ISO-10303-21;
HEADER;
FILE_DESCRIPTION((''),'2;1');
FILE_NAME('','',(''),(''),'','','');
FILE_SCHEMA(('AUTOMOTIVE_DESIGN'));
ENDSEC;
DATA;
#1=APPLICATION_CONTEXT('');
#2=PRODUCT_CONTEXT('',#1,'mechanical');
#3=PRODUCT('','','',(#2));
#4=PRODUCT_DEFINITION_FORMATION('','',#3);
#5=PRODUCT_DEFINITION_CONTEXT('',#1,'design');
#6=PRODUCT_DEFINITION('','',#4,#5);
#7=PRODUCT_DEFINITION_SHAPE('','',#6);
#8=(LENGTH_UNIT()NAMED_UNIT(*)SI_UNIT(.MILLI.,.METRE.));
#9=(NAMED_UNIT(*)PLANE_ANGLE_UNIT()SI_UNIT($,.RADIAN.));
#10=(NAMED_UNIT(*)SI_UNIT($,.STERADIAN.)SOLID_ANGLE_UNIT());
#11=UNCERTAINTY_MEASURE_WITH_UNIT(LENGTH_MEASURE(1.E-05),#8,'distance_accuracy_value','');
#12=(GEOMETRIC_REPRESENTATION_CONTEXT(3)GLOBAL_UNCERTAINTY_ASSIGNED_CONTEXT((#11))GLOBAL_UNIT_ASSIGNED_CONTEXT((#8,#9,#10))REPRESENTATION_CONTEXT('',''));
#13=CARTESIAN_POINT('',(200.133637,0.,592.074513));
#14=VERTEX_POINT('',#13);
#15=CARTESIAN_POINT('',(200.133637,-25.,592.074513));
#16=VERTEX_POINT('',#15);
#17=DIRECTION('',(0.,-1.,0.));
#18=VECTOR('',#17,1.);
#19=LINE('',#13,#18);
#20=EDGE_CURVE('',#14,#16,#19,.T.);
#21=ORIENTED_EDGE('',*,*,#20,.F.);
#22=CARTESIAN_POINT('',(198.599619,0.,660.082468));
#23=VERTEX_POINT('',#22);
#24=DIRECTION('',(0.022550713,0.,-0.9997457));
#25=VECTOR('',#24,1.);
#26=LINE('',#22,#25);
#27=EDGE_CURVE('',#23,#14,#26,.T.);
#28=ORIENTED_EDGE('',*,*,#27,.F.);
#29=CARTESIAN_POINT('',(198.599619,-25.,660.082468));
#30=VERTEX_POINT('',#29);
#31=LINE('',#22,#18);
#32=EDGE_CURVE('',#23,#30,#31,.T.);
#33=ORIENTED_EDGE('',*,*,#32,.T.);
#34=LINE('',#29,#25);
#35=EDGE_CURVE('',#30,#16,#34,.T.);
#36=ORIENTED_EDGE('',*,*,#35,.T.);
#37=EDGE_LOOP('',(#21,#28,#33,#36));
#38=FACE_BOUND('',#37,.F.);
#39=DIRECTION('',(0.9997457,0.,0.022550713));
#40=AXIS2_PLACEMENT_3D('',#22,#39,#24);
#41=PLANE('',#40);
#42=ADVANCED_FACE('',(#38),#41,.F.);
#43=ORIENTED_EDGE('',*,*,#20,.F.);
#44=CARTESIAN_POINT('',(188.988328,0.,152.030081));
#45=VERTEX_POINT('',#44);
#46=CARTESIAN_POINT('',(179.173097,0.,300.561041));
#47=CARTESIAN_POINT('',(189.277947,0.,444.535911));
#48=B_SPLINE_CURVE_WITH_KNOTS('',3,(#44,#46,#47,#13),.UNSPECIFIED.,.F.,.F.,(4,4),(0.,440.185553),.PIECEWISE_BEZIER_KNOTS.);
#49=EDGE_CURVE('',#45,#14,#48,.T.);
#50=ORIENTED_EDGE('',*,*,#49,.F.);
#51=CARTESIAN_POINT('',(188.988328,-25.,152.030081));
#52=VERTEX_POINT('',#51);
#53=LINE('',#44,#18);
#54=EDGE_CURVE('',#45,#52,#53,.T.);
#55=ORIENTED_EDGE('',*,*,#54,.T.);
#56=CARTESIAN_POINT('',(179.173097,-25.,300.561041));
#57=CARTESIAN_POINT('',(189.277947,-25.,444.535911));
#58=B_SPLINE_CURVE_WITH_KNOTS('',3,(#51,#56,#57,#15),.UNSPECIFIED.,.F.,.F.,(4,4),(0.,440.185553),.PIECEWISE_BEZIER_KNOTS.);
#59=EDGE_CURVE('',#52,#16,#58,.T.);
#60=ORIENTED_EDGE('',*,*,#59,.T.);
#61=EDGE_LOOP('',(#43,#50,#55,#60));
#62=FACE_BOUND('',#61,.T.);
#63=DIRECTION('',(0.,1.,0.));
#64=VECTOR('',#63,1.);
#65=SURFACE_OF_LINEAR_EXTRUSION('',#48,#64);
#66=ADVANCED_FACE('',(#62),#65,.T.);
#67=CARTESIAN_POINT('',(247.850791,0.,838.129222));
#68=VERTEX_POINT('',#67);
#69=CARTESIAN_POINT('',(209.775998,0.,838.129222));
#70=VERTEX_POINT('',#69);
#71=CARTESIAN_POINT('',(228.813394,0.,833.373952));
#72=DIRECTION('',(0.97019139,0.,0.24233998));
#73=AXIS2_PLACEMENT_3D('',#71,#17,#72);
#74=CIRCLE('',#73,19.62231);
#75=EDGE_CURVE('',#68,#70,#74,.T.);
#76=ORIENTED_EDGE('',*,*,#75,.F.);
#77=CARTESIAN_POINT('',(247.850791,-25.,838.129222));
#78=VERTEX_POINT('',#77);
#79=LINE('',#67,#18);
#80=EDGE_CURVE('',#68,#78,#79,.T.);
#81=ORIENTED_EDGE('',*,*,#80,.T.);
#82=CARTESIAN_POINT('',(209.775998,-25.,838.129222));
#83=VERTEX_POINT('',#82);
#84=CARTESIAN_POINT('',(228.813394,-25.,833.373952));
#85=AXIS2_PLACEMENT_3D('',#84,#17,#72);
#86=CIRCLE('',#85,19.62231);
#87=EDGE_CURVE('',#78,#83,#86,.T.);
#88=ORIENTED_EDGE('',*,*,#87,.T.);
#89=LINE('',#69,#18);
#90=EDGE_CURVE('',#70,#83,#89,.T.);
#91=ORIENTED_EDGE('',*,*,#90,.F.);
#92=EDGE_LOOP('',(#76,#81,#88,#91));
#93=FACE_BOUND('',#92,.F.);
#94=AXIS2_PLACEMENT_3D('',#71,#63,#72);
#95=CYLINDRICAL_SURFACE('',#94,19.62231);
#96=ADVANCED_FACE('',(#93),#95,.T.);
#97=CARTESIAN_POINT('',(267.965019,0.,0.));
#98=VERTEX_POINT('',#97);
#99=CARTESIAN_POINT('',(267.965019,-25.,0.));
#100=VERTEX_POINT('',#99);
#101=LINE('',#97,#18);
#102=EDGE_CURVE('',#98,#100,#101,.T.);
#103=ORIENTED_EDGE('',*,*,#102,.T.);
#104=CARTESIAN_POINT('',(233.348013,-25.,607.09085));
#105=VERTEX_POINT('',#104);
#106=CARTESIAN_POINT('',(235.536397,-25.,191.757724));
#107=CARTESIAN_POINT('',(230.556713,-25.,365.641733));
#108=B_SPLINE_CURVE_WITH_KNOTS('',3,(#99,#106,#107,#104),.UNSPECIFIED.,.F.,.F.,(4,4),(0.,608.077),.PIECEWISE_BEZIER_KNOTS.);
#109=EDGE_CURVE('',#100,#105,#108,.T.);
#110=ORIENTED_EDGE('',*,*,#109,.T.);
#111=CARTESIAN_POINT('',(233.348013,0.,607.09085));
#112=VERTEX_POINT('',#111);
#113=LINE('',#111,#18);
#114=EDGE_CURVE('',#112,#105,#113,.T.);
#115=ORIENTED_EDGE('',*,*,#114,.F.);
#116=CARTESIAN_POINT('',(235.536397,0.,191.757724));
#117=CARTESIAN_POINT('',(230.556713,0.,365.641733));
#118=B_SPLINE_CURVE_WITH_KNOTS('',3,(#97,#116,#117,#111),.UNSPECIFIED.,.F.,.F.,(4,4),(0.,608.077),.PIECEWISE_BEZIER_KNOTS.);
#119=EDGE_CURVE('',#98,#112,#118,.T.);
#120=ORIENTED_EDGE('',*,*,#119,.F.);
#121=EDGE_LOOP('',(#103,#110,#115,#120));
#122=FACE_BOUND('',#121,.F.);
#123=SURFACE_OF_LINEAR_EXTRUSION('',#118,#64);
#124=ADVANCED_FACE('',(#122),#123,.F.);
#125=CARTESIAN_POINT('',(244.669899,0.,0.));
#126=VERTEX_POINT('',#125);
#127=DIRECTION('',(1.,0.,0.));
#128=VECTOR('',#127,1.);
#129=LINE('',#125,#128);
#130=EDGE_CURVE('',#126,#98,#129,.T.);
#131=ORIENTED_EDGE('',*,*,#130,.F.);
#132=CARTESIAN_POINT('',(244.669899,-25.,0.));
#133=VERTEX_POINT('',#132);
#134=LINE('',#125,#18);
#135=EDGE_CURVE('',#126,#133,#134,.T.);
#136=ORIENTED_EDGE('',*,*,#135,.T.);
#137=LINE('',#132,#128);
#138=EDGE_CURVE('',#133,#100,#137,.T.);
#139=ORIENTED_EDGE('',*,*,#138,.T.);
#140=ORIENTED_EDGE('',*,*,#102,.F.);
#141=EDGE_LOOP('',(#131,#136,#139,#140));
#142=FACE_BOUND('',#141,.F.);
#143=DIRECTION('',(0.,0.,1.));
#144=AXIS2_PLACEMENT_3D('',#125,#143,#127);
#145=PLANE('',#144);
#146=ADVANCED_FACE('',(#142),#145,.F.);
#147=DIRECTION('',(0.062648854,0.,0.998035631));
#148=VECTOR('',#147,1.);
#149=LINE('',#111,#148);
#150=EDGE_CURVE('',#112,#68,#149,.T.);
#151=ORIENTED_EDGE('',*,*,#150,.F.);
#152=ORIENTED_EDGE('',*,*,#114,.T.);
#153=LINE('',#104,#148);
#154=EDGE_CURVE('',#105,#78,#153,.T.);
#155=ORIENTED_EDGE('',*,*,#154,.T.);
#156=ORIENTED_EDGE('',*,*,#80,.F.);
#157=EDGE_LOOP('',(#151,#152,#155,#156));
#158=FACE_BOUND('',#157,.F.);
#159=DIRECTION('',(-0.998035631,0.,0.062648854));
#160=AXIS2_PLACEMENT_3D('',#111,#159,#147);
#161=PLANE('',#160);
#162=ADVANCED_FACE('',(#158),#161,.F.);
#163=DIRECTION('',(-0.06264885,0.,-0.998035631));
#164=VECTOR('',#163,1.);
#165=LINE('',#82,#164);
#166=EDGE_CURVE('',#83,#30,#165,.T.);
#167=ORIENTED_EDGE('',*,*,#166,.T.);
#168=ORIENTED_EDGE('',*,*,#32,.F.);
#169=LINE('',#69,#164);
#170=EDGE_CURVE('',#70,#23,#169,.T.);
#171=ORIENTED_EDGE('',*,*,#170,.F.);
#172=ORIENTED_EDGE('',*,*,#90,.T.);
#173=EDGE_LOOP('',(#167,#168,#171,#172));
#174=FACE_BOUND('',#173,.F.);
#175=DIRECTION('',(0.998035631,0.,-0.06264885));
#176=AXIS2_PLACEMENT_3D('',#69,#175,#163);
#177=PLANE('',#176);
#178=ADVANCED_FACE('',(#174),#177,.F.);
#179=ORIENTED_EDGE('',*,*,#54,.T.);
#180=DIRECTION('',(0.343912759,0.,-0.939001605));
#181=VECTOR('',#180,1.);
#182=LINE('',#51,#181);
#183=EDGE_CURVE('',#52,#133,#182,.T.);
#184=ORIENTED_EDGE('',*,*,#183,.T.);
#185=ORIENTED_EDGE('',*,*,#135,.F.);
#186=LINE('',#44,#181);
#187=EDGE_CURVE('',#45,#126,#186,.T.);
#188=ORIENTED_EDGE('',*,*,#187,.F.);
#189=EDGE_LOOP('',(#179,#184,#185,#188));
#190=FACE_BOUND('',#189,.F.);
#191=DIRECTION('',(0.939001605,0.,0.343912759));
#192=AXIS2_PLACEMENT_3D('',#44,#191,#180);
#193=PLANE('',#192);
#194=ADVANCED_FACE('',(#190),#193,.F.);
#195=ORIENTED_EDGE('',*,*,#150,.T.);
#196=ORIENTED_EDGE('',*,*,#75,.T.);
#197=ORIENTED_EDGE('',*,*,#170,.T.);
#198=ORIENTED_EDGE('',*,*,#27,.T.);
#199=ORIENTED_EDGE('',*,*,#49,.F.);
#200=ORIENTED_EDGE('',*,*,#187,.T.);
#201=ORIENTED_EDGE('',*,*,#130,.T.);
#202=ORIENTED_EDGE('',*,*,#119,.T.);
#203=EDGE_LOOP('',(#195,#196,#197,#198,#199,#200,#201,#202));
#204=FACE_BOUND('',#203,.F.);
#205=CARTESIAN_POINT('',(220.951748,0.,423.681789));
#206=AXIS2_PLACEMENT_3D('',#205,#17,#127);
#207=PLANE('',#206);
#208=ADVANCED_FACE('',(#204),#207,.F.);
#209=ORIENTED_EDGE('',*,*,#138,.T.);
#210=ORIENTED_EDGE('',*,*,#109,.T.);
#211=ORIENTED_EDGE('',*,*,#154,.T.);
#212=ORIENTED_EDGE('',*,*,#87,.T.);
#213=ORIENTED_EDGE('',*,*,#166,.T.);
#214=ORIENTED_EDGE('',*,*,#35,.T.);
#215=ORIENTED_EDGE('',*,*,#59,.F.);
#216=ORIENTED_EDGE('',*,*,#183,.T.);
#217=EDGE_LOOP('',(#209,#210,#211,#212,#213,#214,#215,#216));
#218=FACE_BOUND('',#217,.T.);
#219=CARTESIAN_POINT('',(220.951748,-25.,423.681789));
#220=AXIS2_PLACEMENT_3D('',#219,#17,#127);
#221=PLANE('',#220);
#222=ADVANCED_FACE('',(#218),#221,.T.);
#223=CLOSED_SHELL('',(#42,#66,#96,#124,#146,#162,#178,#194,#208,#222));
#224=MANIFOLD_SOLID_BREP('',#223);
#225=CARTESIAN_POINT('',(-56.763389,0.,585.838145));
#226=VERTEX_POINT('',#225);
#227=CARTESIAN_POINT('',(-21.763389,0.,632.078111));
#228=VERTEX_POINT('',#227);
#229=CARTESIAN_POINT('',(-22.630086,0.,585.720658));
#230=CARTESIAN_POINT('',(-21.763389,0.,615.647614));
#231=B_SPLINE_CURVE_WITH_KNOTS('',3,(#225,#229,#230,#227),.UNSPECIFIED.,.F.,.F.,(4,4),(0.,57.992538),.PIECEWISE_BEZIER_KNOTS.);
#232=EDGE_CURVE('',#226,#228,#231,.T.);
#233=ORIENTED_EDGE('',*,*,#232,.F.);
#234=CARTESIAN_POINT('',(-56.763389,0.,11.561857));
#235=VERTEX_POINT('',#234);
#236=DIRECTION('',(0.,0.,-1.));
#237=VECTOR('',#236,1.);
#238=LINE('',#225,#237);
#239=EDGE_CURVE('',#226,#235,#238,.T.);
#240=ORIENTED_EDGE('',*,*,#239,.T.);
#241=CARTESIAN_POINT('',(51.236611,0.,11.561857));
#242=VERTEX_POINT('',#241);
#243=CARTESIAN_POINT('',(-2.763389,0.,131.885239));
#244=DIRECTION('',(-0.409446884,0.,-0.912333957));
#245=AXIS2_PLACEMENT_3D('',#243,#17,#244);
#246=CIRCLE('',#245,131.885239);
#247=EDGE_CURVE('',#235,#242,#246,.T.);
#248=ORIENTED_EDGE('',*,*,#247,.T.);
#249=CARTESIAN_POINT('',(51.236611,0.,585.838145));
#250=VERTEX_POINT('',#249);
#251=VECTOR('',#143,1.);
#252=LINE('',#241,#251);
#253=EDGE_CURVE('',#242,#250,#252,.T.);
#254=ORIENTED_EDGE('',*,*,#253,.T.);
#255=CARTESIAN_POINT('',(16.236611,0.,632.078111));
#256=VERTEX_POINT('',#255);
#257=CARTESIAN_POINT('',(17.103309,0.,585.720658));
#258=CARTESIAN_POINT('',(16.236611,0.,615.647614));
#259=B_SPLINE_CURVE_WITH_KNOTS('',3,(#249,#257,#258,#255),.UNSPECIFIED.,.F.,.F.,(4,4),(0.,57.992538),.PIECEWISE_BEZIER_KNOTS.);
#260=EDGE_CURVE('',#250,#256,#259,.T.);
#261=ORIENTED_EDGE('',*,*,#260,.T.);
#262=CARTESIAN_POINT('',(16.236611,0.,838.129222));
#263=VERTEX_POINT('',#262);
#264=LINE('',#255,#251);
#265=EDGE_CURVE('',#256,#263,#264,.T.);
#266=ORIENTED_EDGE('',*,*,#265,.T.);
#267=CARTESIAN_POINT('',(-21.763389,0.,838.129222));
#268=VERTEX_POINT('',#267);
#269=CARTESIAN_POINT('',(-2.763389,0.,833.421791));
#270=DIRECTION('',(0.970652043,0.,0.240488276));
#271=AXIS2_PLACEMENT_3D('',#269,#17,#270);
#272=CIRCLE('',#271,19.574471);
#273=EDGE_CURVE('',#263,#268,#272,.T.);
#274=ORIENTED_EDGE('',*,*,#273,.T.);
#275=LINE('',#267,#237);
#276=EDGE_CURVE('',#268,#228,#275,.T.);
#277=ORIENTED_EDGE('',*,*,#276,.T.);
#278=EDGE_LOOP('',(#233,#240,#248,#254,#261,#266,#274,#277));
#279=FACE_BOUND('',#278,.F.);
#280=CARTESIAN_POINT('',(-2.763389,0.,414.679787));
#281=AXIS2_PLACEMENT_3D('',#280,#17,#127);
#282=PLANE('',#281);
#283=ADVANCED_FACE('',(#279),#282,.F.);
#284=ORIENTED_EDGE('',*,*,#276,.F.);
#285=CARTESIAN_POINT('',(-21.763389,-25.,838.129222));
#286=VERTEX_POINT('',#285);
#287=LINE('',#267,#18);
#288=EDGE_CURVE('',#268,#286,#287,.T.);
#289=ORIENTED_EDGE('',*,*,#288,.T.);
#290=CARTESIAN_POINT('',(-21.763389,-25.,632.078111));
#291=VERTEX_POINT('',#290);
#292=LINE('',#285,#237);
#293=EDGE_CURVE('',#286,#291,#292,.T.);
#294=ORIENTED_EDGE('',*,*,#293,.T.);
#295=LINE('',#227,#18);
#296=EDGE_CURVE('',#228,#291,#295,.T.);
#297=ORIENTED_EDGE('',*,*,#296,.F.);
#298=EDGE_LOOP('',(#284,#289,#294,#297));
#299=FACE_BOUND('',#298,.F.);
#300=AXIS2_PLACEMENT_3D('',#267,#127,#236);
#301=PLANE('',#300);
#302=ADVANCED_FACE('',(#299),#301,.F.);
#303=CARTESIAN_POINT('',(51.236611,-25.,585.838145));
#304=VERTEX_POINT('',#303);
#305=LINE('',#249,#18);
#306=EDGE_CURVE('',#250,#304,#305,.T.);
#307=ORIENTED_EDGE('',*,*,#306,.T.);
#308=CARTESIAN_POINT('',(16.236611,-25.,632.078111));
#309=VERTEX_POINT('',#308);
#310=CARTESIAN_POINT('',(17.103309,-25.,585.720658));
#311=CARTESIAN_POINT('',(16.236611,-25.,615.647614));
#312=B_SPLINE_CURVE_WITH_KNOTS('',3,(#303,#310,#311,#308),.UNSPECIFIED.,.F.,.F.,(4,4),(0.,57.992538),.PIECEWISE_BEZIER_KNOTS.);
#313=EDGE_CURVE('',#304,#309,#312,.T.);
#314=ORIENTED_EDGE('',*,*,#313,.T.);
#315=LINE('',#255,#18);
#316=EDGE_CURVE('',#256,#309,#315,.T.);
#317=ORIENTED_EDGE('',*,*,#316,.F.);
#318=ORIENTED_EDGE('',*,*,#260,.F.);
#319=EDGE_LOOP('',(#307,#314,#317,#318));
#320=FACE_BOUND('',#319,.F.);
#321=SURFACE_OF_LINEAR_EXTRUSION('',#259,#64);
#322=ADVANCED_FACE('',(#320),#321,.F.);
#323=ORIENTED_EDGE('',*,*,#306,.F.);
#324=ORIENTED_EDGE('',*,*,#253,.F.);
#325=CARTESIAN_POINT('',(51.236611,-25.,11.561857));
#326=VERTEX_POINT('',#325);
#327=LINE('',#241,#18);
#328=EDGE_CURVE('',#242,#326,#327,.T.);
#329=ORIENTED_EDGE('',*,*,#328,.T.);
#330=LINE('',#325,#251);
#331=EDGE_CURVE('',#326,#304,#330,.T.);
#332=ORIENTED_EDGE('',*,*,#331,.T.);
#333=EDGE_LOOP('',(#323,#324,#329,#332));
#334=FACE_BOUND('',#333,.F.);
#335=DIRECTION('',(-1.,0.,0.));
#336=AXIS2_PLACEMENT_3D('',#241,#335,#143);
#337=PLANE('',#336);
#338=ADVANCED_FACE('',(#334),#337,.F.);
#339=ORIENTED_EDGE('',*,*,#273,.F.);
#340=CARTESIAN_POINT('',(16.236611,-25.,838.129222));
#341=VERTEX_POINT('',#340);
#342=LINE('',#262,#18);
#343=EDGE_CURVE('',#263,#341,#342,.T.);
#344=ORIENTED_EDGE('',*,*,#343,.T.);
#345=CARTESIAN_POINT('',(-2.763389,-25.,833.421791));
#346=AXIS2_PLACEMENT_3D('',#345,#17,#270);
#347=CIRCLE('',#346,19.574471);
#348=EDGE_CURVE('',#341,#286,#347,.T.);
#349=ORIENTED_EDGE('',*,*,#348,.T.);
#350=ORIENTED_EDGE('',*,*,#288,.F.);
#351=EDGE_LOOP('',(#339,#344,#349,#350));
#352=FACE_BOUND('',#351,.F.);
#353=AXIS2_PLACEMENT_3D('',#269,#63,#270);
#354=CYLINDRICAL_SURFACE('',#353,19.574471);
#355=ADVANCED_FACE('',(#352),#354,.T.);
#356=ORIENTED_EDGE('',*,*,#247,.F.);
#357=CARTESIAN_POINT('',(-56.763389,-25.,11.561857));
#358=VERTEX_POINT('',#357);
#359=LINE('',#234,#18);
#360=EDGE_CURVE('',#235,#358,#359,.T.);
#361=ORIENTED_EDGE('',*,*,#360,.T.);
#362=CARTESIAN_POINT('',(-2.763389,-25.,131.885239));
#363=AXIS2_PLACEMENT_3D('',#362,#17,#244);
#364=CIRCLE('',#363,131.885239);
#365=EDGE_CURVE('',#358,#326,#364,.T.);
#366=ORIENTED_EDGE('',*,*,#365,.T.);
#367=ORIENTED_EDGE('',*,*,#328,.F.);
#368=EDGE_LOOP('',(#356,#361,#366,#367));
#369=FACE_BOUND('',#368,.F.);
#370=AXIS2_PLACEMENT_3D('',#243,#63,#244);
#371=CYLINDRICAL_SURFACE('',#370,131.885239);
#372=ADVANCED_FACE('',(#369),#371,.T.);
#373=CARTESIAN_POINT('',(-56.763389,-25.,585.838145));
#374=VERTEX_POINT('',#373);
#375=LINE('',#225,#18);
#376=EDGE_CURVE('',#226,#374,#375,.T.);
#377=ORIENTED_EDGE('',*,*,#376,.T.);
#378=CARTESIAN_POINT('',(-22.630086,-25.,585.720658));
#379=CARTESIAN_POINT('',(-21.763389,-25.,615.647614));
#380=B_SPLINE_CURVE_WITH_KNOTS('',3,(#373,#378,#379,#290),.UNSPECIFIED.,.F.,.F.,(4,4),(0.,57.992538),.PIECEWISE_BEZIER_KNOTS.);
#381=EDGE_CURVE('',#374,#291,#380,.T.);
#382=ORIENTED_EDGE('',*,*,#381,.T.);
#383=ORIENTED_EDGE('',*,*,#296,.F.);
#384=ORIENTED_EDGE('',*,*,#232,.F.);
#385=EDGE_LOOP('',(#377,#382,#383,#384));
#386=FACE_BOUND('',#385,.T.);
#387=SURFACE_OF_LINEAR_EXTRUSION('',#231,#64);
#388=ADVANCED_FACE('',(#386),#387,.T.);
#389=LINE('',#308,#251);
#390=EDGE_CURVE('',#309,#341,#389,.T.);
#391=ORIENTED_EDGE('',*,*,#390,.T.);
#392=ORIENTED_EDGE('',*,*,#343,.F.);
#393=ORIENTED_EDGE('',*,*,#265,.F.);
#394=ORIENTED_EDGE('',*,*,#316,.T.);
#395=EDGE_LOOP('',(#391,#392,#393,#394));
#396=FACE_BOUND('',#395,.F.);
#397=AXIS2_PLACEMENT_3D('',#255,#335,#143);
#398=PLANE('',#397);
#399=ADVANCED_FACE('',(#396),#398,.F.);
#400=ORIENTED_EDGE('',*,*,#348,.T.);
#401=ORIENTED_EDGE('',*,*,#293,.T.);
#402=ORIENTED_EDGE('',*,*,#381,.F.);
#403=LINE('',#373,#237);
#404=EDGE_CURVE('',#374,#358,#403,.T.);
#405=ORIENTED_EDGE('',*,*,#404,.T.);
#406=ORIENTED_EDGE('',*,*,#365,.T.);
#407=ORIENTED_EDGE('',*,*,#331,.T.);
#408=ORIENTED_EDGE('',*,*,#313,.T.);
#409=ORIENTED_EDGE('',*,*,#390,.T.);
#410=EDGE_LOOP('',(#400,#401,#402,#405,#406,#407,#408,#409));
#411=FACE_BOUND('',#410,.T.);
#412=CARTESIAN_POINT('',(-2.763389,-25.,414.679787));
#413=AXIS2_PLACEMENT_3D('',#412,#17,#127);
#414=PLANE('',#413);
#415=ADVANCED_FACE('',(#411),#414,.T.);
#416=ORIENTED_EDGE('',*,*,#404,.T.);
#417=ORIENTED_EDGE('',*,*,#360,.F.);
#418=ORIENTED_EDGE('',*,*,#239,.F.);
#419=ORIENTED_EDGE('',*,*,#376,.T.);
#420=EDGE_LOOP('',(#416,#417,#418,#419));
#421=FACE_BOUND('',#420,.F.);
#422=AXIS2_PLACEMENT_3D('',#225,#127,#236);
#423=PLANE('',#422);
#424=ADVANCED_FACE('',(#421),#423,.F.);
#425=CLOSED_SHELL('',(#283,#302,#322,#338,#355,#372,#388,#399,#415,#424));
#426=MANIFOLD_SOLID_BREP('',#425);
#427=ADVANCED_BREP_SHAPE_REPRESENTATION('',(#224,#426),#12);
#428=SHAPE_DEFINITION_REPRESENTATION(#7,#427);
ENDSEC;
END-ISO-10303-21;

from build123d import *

# Parameters (mm, degrees)
F1_DEPTH = 25


with BuildPart() as f1:
    # F0 (on Front) → F1 (new body)
    with BuildSketch(Plane.XZ):
        with BuildLine():
            Line((-56.763389, 585.838145), (-56.763389, 11.561857))
            ThreePointArc((-56.763389, 11.561857), (-2.763389, 0), (51.236611, 11.561857))
            Line((51.236611, 11.561857), (51.236611, 585.838145))
            add(Edge.make_bspline(
                [(51.236611, 585.838145), (17.103309, 585.720658), (16.236611, 615.647614), (16.236611, 632.078111)],
                knots=[0, 0, 0, 0, 57.992538, 57.992538, 57.992538, 57.992538], degree=3))
            Line((16.236611, 632.078111), (16.236611, 838.129222))
            ThreePointArc((16.236611, 838.129222), (-2.763389, 852.996262), (-21.763389, 838.129222))
            Line((-21.763389, 838.129222), (-21.763389, 632.078111))
            add(Edge.make_bspline(
                [(-56.763389, 585.838145), (-22.630086, 585.720658), (-21.763389, 615.647614), (-21.763389, 632.078111)],
                knots=[0, 0, 0, 0, 57.992538, 57.992538, 57.992538, 57.992538], degree=3))
        make_face()
        with BuildLine():
            Line((244.669899, 0), (267.965019, 0))
            add(Edge.make_bspline(
                [(267.965019, 0), (235.536397, 191.757724), (230.556713, 365.641733), (233.348013, 607.09085)],
                knots=[0, 0, 0, 0, 608.077, 608.077, 608.077, 608.077], degree=3))
            Line((233.348013, 607.09085), (247.850791, 838.129222))
            ThreePointArc((247.850791, 838.129222), (228.813394, 852.996262), (209.775998, 838.129222))
            Line((209.775998, 838.129222), (198.599619, 660.082468))
            Line((198.599619, 660.082468), (200.133637, 592.074513))
            add(Edge.make_bspline(
                [(188.988328, 152.030081), (179.173097, 300.561041), (189.277947, 444.535911), (200.133637, 592.074513)],
                knots=[0, 0, 0, 0, 440.185553, 440.185553, 440.185553, 440.185553], degree=3))
            Line((188.988328, 152.030081), (244.669899, 0))
        make_face()
    extrude(amount=F1_DEPTH)


solid = f1.part
